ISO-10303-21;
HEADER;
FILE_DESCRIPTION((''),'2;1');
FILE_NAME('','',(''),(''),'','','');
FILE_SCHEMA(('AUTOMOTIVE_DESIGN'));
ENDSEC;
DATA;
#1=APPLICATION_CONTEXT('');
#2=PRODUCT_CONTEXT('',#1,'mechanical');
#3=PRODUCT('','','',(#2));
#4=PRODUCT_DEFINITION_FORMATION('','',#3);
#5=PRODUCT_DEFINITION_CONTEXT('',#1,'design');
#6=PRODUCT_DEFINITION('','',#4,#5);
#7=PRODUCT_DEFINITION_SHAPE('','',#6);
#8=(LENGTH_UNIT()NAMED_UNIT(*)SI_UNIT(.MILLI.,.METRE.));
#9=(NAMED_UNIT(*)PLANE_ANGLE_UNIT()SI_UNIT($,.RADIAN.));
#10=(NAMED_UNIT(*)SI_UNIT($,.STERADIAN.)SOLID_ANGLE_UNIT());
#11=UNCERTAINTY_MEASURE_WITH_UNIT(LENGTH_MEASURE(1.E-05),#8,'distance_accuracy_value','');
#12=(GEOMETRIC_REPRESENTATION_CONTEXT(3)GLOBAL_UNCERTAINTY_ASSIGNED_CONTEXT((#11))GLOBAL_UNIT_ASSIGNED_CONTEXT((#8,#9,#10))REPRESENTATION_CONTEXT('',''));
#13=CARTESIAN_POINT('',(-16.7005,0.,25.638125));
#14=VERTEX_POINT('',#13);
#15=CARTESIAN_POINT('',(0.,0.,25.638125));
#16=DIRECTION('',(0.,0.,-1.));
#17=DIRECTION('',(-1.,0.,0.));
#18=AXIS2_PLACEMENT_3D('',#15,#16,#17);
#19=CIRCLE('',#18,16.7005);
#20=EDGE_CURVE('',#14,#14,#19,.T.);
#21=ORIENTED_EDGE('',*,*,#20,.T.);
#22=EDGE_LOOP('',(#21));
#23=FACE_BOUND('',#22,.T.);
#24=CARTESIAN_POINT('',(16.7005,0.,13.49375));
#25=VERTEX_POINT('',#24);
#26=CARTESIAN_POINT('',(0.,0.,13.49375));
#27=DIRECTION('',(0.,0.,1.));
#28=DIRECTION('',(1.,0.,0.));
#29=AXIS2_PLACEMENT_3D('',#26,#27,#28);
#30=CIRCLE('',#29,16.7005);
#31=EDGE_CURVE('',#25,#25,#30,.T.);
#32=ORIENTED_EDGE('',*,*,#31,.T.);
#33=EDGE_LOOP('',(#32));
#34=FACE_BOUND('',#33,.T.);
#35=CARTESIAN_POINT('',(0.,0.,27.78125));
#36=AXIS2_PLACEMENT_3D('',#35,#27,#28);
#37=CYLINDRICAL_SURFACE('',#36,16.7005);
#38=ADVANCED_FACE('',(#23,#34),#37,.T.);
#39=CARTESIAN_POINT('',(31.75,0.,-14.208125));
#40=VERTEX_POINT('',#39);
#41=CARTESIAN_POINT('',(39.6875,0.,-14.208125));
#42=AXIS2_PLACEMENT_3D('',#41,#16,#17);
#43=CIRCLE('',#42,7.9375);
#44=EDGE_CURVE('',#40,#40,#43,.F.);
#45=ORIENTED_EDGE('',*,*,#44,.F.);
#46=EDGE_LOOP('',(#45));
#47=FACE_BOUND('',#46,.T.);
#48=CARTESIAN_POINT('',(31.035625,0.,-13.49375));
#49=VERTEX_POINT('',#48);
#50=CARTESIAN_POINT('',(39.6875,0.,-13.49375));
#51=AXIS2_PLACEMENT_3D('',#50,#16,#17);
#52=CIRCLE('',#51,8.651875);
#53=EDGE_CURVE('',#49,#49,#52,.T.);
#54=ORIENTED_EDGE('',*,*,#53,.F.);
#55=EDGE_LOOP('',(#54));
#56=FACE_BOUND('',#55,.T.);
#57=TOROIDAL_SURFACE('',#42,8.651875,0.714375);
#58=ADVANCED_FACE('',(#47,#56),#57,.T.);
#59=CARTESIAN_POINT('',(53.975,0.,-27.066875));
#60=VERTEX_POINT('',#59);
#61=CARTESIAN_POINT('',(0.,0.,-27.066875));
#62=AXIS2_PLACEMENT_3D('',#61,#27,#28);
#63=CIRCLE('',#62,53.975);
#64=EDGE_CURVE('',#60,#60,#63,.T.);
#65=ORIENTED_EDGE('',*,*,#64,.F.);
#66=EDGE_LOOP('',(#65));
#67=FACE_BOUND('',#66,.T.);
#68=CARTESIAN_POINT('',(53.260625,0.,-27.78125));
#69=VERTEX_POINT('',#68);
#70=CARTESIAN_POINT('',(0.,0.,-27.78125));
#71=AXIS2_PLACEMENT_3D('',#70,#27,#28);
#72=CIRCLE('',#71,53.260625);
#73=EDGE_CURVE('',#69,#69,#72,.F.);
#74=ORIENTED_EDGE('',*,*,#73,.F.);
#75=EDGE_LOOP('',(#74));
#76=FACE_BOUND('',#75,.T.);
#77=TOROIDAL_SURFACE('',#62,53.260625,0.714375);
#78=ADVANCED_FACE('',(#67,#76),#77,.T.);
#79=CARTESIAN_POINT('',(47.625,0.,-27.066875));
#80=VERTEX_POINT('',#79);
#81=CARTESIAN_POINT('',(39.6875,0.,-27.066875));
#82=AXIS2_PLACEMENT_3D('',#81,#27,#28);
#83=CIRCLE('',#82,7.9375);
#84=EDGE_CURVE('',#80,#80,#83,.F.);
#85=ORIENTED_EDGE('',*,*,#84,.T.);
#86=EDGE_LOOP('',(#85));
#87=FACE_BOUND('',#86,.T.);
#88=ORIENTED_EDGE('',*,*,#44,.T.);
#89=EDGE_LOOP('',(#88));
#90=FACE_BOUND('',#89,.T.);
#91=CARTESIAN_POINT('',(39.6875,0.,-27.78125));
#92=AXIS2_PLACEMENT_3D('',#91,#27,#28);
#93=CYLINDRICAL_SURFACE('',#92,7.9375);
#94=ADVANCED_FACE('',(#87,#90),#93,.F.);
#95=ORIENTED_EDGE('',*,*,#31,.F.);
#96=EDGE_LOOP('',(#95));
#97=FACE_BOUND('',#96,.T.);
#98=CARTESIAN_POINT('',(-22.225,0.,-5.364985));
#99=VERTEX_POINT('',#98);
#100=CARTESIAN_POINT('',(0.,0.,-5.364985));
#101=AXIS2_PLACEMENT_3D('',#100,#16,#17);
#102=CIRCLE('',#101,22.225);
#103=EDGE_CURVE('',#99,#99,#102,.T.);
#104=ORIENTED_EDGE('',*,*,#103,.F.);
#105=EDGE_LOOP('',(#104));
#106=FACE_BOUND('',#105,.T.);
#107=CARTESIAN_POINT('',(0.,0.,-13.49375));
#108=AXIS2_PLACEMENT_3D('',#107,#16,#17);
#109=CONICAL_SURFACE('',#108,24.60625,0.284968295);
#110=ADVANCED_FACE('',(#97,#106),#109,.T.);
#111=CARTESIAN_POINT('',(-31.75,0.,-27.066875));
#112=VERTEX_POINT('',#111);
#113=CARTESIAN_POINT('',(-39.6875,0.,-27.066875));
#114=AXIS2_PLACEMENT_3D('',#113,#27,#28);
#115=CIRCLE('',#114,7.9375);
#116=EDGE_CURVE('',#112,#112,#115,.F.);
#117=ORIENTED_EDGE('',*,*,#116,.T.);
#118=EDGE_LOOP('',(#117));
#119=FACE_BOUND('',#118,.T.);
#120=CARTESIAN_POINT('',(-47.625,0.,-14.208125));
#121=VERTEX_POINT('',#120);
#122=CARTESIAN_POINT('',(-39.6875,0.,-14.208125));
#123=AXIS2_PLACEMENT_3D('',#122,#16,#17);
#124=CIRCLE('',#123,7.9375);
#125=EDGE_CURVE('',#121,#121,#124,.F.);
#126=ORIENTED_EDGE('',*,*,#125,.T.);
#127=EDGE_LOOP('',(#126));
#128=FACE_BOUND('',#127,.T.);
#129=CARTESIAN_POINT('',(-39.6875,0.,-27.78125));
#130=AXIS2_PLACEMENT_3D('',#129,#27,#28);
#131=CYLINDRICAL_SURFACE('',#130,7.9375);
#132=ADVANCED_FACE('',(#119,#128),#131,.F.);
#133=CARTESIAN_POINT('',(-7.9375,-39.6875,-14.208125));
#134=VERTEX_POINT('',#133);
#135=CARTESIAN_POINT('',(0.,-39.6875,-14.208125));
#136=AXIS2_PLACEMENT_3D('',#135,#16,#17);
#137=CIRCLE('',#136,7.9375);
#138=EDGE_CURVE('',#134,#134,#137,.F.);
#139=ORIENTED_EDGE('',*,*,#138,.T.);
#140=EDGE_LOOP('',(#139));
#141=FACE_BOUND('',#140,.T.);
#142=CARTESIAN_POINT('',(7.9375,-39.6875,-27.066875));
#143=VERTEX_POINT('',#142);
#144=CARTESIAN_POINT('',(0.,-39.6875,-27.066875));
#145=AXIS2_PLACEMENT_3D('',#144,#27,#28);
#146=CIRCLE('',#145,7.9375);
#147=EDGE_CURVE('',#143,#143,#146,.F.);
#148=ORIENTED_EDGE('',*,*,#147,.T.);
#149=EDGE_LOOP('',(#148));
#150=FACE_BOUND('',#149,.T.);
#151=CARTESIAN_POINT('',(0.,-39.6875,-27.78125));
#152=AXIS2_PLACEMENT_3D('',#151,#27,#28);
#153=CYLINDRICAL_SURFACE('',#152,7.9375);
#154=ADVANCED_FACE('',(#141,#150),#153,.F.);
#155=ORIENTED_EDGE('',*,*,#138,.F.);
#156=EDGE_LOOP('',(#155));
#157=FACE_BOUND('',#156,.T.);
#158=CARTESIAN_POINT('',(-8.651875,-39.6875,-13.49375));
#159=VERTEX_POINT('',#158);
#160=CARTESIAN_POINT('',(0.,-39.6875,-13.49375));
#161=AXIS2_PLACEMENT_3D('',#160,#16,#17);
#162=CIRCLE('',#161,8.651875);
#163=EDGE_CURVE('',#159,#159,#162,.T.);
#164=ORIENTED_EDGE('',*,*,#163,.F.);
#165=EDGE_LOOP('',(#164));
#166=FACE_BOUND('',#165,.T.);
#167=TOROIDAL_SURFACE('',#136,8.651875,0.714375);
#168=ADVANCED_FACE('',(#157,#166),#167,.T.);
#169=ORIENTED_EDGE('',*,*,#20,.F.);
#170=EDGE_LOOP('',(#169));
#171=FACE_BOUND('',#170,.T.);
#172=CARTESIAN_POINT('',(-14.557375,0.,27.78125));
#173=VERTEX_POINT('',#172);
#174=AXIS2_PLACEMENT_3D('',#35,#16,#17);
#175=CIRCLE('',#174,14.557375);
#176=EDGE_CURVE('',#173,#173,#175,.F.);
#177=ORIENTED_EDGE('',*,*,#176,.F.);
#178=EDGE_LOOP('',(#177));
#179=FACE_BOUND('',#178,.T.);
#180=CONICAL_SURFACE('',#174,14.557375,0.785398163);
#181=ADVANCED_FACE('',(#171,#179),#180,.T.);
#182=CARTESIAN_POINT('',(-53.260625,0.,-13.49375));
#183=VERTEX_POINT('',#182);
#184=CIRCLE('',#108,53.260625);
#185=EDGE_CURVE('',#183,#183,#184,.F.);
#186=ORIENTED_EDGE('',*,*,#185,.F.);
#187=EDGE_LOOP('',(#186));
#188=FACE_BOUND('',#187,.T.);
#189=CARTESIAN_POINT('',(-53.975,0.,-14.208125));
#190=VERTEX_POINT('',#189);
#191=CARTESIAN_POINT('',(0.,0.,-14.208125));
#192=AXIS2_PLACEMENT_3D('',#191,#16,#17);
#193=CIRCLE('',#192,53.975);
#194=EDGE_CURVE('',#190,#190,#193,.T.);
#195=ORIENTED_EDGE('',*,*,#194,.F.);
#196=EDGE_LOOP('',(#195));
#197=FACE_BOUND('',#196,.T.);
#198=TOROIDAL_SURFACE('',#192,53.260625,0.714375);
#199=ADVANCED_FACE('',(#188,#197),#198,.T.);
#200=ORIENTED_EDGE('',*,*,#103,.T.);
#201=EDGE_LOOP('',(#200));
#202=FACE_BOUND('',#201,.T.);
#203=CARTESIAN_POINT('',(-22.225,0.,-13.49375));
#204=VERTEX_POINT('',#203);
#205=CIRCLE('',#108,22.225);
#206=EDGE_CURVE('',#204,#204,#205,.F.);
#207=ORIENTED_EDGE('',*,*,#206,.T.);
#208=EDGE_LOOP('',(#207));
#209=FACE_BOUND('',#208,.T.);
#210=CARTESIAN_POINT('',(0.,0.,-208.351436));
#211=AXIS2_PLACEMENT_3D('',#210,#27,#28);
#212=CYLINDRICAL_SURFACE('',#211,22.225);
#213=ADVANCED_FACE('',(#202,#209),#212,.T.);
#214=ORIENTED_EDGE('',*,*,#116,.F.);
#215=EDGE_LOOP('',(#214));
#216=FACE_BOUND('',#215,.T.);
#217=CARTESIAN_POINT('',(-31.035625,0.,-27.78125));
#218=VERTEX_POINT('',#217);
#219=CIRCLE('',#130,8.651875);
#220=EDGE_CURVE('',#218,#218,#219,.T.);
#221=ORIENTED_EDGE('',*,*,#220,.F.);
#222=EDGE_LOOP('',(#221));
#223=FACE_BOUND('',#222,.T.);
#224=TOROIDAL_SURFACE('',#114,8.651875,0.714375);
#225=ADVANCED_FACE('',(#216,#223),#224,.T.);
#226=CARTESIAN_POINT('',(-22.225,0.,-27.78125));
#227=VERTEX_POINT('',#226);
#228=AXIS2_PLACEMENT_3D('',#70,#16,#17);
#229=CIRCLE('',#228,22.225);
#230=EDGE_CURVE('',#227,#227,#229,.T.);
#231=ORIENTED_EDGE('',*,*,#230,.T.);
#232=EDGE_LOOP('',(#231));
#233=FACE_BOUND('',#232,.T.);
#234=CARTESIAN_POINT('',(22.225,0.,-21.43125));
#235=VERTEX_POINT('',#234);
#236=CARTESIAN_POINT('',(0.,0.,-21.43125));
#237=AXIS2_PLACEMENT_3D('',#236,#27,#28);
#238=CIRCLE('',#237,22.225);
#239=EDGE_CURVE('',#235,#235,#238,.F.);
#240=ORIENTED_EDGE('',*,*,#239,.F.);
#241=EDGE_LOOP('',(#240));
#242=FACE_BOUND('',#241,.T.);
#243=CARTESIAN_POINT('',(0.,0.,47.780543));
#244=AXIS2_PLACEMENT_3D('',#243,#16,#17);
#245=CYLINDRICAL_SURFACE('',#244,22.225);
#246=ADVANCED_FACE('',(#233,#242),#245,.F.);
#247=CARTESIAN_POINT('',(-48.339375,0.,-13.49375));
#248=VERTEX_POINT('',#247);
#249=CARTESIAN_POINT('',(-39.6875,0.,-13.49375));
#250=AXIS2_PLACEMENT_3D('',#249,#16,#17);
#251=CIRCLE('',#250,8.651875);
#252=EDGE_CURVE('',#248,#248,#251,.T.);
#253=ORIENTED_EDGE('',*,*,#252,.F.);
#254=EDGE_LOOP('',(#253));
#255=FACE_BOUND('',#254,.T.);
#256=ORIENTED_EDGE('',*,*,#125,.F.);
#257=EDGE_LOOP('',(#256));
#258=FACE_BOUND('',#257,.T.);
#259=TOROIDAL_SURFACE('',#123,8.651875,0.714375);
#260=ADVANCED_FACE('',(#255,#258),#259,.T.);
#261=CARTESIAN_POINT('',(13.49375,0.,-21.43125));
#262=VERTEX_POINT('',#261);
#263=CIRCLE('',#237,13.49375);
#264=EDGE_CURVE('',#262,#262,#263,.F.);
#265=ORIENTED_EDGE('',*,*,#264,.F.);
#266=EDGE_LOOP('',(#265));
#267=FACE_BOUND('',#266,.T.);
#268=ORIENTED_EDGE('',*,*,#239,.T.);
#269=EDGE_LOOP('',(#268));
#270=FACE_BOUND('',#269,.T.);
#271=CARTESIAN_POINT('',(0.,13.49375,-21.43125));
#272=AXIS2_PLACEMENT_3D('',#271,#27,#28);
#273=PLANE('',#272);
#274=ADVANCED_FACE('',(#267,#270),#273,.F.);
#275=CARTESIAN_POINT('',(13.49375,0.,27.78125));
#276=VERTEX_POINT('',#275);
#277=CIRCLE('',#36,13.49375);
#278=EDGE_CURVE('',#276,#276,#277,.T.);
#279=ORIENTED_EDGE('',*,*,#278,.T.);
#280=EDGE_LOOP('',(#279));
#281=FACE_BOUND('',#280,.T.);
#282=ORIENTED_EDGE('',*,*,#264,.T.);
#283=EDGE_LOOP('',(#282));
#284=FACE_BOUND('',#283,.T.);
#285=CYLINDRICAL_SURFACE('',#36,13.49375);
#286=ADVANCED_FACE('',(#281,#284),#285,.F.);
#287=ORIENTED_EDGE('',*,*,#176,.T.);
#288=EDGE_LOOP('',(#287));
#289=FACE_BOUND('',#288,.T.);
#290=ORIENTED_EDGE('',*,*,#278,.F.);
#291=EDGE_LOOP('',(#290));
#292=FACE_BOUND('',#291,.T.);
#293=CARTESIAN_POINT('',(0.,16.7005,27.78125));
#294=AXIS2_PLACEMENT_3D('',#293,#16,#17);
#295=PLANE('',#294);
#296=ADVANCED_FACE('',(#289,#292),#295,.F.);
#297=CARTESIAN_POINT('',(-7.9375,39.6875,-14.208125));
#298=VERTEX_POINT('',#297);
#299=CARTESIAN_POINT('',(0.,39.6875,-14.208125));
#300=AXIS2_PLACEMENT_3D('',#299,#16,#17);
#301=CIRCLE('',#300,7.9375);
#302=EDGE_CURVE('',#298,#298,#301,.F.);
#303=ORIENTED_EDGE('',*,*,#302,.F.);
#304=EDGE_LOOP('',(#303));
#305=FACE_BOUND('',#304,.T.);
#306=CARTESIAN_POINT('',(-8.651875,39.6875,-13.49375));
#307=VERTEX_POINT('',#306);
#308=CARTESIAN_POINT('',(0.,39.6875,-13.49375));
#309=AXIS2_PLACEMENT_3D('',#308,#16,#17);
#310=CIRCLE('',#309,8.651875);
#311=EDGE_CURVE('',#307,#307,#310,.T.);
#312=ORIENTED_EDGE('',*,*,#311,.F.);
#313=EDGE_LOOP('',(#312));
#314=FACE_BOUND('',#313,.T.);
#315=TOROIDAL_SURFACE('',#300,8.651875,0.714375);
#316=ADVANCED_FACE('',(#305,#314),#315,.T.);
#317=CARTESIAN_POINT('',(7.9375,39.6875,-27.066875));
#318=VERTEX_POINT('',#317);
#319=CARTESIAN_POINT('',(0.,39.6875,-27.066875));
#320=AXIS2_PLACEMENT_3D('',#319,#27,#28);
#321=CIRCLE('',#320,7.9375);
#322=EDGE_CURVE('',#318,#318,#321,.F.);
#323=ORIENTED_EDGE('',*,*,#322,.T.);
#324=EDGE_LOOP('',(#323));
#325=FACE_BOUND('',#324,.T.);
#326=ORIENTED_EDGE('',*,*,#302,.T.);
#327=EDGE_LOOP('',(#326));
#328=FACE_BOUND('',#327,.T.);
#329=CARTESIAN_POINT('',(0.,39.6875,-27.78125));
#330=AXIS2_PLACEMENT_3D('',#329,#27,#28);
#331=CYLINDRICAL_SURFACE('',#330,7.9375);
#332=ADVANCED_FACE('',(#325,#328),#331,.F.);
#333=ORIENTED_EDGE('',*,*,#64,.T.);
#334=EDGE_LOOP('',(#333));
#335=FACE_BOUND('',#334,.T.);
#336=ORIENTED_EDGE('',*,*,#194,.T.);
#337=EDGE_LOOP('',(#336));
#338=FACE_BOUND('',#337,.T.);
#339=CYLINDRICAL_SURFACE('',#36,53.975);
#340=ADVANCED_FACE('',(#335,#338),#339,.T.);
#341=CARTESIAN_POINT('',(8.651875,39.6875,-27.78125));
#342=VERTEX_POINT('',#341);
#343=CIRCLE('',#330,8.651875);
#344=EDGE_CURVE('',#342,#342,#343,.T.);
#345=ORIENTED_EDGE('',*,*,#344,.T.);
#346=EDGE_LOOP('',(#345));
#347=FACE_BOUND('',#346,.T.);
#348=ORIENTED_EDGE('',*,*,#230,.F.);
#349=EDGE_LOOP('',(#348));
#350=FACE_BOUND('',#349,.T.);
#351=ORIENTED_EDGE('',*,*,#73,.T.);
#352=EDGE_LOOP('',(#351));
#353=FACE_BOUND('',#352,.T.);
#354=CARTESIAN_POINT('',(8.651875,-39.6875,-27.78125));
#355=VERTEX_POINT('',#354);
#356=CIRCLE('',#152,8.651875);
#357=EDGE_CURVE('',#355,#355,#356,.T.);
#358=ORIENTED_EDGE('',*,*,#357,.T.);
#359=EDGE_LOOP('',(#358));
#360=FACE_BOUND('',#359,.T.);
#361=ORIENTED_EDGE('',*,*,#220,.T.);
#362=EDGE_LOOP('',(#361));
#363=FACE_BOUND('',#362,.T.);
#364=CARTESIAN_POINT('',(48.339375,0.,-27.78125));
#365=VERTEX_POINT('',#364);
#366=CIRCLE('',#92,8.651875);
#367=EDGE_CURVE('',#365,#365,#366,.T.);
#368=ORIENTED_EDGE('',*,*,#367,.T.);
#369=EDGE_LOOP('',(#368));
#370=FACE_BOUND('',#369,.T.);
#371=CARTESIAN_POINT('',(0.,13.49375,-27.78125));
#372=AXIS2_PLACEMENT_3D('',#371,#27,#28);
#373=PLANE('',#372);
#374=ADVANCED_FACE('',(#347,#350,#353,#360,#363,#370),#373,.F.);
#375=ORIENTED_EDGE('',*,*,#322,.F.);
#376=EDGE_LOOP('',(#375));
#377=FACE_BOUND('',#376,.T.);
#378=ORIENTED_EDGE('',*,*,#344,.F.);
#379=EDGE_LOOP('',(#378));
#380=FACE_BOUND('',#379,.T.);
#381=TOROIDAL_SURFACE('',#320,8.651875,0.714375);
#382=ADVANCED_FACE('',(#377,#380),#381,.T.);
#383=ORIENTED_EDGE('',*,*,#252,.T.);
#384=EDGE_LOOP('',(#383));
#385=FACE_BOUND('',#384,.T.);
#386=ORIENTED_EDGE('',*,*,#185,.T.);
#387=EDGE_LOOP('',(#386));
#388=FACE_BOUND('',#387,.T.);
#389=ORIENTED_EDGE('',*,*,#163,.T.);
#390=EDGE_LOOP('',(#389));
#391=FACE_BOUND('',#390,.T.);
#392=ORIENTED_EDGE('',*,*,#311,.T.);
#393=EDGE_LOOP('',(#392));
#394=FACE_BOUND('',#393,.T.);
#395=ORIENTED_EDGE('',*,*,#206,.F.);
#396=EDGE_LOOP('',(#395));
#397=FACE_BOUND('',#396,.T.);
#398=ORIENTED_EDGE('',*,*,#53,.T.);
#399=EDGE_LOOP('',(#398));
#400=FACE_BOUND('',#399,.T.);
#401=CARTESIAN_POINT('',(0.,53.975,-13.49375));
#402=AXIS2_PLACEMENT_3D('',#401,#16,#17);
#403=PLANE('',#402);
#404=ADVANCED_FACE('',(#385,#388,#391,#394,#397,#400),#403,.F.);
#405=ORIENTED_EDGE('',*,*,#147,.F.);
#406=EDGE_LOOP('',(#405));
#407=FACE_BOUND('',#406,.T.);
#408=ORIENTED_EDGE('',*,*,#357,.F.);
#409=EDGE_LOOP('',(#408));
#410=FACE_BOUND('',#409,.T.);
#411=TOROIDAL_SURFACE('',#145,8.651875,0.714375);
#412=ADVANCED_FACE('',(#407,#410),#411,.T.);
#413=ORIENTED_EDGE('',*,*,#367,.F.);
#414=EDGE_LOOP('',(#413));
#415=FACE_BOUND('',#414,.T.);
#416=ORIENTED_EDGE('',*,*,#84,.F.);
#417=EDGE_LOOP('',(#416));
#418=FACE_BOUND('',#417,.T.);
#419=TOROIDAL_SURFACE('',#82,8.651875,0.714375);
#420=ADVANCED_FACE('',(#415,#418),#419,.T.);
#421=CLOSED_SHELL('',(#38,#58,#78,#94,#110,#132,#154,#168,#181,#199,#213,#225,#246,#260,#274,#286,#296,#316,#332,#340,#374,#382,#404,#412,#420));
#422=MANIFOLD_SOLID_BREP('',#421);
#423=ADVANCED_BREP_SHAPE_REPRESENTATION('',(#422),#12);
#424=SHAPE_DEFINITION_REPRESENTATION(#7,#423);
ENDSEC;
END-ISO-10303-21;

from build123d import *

# Parameters (mm, degrees)
SKETCH3_R          = 7.9375
CUT_EXTRUDE1_DEPTH = 87.776879841
CIRPATTERN1_COUNT  = 4
FILLET1_R          = 2.8575
CHAMFER1_SIZE      = 2.143125
FILLET2_R          = 0.714375
SKETCH4_R          = 68.892595573
SKETCH4_R_2        = 22.225
CUT_EXTRUDE2_DEPTH = 41.275
CUT_EXTRUDE3_START = -6.35
SKETCH5_R          = 22.225
CUT_EXTRUDE3_DEPTH = 6.35


with BuildPart() as part:
    # Sketch2 → Revolve1 (revolve)
    with BuildSketch(Plane(origin=(0, 0, 0), x_dir=(0, 0, -1), z_dir=(1, 0, 0)), mode=Mode.PRIVATE) as revolve1_sk:
        Polygon((-27.78125, 16.7005), (-27.78125, 13.49375), (27.78125, 13.49375), (27.78125, 53.975), (13.49375, 53.975), (13.49375, 24.60625), (-13.49375, 16.7005), align=None)
    revolve(revolve1_sk.sketch.rotate(Axis((0, 0, 27.78125), (0, 0, -1)), 90), axis=Axis((0, 0, 27.78125), (0, 0, -1)))

    # Sketch3 → Cut-Extrude1 (cut, through all)
    with BuildSketch(Plane.XY.offset(-13.49375)):
        with Locations((0, 39.6875)):
            Circle(SKETCH3_R)
    cut_extrude1 = extrude(amount=-CUT_EXTRUDE1_DEPTH, mode=Mode.SUBTRACT)

    # CirPattern1: Cut-Extrude1 ×4 about axis
    cirpattern1_axis = Axis((0, 0, 0), (0, 0, 1))
    for i in range(1, CIRPATTERN1_COUNT):
        add(cut_extrude1.rotate(cirpattern1_axis, i * 360 / CIRPATTERN1_COUNT), mode=Mode.SUBTRACT)

    # Fillet1
    fillet1_edges = [part.edges().sort_by_distance(p)[0] for p in [
        (-24.60625, 0, -13.49375),
    ]]
    fillet(fillet1_edges, radius=FILLET1_R)

    # Chamfer1
    chamfer1_edges = [part.edges().sort_by_distance(p)[0] for p in [
        (-16.7005, 0, 27.78125),
    ]]
    chamfer(chamfer1_edges, length=CHAMFER1_SIZE)

    # Fillet2
    fillet2_edges = [part.edges().sort_by_distance(p)[0] for p in [
        (-7.9375, 39.6875, -27.78125),
        (-7.9375, 39.6875, -13.49375),
        (39.6875, 7.9375, -27.78125),
        (39.6875, 7.9375, -13.49375),
        (7.9375, -39.6875, -27.78125),
        (7.9375, -39.6875, -13.49375),
        (-39.6875, -7.9375, -27.78125),
        (-39.6875, -7.9375, -13.49375),
        (-53.975, 0, -13.49375),
        (-53.975, 0, -27.78125),
        (-13.49375, 0, -27.78125),
    ]]
    fillet(fillet2_edges, radius=FILLET2_R)

    # Sketch4 → Cut-Extrude2 (cut)
    with BuildSketch(Plane.XY.offset(27.78125)):
        Circle(SKETCH4_R)
        with Locations(Location((0, 0, 0), (0, 0, 180))):
            Circle(SKETCH4_R_2, mode=Mode.SUBTRACT)
    extrude(amount=-CUT_EXTRUDE2_DEPTH, mode=Mode.SUBTRACT)

    # Sketch5 → Cut-Extrude3 (cut)
    with BuildSketch(Plane(origin=(0, 0, -27.78125), x_dir=(-1, 0, 0), z_dir=(0, 0, -1)).offset(CUT_EXTRUDE3_START)):
        Circle(SKETCH5_R)
    extrude(amount=CUT_EXTRUDE3_DEPTH, mode=Mode.SUBTRACT)


solid = part.part
